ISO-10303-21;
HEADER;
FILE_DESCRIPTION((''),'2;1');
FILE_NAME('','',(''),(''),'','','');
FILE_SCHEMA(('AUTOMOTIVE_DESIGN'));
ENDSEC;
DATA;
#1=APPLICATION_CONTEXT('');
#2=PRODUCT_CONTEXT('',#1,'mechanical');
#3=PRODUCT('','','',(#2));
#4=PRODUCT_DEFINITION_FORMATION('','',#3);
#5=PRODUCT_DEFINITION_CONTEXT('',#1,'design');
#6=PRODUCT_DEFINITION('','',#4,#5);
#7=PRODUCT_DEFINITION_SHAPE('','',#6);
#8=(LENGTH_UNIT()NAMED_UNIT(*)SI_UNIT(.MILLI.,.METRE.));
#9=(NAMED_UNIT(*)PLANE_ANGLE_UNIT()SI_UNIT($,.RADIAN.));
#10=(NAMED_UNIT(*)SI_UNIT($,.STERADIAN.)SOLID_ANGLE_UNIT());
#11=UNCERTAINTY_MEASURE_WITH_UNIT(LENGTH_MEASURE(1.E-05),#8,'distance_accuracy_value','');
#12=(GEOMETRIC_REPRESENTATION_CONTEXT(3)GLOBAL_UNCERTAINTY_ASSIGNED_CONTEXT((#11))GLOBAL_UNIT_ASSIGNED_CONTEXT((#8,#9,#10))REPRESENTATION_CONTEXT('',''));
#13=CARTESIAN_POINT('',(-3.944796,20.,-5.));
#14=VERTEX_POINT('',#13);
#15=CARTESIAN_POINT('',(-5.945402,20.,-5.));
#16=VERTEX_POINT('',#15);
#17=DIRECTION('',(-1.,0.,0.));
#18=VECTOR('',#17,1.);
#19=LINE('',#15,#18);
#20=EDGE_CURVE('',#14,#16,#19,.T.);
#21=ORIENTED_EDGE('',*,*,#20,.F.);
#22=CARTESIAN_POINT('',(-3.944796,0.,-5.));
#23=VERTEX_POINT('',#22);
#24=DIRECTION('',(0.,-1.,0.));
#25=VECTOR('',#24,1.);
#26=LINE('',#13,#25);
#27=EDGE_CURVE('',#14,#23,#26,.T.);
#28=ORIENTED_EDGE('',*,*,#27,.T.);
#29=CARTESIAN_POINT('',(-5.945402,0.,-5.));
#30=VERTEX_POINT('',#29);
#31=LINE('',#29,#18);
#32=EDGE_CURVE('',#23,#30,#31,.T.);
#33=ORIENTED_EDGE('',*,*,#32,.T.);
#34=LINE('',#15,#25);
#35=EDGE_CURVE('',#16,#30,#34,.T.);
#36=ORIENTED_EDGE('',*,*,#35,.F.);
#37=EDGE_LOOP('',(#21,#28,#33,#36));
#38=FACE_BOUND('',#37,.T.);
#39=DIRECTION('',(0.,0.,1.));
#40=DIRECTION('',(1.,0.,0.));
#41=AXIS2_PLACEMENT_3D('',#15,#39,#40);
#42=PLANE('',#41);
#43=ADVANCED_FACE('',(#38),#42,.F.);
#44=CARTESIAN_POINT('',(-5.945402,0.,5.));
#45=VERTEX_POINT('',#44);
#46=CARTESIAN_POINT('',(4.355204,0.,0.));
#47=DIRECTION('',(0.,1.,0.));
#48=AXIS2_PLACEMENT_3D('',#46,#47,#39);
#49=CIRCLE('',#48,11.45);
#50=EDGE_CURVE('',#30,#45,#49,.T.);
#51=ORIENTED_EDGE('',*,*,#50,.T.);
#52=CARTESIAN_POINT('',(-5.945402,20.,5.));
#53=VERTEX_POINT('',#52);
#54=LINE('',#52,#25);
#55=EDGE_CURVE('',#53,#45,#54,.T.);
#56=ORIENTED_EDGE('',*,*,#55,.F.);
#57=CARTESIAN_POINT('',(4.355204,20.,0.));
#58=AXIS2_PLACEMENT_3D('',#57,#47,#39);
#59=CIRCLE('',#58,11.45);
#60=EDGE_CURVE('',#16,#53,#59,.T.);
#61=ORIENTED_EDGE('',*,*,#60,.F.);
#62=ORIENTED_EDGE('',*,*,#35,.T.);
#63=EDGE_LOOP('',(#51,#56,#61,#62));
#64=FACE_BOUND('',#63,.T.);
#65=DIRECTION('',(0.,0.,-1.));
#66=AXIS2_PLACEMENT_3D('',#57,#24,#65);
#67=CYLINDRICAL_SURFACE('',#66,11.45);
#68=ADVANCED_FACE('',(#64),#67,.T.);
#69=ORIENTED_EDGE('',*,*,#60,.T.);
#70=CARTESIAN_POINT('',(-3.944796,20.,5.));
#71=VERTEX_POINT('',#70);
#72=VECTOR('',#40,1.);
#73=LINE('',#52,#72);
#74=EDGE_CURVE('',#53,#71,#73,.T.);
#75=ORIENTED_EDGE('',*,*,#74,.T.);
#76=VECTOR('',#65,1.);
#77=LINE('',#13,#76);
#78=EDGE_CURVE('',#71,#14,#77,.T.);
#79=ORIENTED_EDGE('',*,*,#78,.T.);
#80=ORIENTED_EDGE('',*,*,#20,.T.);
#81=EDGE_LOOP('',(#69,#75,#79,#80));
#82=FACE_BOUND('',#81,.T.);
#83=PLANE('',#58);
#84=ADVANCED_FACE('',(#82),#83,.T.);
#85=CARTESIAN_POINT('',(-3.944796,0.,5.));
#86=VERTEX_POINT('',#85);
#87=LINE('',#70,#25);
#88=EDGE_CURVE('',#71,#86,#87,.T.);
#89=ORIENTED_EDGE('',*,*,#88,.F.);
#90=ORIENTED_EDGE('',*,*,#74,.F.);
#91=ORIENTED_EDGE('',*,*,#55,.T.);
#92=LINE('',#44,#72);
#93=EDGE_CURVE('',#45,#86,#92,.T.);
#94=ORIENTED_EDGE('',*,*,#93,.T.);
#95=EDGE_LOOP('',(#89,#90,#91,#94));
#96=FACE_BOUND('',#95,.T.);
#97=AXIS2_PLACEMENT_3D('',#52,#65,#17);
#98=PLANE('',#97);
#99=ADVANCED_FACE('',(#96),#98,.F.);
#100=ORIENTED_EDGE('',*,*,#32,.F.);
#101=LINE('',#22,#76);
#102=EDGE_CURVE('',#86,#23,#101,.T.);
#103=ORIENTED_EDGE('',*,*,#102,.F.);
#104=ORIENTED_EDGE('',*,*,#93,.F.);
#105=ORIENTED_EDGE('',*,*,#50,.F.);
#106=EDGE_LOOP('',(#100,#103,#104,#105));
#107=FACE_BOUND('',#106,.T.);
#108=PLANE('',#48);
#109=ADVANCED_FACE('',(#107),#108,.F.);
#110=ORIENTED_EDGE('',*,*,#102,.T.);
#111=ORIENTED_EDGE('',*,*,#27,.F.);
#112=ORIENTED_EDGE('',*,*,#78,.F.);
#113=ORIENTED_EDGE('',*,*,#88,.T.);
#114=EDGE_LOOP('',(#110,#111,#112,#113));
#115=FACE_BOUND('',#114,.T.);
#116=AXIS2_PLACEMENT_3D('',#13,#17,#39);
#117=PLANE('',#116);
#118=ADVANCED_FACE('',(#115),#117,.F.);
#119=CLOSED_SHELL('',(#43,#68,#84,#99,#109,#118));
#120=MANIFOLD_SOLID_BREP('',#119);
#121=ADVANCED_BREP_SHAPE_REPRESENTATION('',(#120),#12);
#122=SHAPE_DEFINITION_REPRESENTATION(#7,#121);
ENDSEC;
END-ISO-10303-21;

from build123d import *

# Parameters (mm, degrees)
EXTRUDE_1_DEPTH = 20


with BuildPart() as part:
    # 草图1 → 凸台-拉伸1 (new body)
    with BuildSketch(Plane(origin=(0, 0, 0), x_dir=(1, 0, 0), z_dir=(0, 1, 0))):
        with BuildLine():
            Line((-5.945402443, 5), (-3.944795665, 5))
            Line((-3.944795665, 5), (-3.944795665, -5))
            Line((-3.944795665, -5), (-5.945402443, -5))
            ThreePointArc((-5.945402443, -5), (-7.094795665, 0), (-5.945402443, 5))
        make_face()
    extrude(amount=EXTRUDE_1_DEPTH)


solid = part.part
